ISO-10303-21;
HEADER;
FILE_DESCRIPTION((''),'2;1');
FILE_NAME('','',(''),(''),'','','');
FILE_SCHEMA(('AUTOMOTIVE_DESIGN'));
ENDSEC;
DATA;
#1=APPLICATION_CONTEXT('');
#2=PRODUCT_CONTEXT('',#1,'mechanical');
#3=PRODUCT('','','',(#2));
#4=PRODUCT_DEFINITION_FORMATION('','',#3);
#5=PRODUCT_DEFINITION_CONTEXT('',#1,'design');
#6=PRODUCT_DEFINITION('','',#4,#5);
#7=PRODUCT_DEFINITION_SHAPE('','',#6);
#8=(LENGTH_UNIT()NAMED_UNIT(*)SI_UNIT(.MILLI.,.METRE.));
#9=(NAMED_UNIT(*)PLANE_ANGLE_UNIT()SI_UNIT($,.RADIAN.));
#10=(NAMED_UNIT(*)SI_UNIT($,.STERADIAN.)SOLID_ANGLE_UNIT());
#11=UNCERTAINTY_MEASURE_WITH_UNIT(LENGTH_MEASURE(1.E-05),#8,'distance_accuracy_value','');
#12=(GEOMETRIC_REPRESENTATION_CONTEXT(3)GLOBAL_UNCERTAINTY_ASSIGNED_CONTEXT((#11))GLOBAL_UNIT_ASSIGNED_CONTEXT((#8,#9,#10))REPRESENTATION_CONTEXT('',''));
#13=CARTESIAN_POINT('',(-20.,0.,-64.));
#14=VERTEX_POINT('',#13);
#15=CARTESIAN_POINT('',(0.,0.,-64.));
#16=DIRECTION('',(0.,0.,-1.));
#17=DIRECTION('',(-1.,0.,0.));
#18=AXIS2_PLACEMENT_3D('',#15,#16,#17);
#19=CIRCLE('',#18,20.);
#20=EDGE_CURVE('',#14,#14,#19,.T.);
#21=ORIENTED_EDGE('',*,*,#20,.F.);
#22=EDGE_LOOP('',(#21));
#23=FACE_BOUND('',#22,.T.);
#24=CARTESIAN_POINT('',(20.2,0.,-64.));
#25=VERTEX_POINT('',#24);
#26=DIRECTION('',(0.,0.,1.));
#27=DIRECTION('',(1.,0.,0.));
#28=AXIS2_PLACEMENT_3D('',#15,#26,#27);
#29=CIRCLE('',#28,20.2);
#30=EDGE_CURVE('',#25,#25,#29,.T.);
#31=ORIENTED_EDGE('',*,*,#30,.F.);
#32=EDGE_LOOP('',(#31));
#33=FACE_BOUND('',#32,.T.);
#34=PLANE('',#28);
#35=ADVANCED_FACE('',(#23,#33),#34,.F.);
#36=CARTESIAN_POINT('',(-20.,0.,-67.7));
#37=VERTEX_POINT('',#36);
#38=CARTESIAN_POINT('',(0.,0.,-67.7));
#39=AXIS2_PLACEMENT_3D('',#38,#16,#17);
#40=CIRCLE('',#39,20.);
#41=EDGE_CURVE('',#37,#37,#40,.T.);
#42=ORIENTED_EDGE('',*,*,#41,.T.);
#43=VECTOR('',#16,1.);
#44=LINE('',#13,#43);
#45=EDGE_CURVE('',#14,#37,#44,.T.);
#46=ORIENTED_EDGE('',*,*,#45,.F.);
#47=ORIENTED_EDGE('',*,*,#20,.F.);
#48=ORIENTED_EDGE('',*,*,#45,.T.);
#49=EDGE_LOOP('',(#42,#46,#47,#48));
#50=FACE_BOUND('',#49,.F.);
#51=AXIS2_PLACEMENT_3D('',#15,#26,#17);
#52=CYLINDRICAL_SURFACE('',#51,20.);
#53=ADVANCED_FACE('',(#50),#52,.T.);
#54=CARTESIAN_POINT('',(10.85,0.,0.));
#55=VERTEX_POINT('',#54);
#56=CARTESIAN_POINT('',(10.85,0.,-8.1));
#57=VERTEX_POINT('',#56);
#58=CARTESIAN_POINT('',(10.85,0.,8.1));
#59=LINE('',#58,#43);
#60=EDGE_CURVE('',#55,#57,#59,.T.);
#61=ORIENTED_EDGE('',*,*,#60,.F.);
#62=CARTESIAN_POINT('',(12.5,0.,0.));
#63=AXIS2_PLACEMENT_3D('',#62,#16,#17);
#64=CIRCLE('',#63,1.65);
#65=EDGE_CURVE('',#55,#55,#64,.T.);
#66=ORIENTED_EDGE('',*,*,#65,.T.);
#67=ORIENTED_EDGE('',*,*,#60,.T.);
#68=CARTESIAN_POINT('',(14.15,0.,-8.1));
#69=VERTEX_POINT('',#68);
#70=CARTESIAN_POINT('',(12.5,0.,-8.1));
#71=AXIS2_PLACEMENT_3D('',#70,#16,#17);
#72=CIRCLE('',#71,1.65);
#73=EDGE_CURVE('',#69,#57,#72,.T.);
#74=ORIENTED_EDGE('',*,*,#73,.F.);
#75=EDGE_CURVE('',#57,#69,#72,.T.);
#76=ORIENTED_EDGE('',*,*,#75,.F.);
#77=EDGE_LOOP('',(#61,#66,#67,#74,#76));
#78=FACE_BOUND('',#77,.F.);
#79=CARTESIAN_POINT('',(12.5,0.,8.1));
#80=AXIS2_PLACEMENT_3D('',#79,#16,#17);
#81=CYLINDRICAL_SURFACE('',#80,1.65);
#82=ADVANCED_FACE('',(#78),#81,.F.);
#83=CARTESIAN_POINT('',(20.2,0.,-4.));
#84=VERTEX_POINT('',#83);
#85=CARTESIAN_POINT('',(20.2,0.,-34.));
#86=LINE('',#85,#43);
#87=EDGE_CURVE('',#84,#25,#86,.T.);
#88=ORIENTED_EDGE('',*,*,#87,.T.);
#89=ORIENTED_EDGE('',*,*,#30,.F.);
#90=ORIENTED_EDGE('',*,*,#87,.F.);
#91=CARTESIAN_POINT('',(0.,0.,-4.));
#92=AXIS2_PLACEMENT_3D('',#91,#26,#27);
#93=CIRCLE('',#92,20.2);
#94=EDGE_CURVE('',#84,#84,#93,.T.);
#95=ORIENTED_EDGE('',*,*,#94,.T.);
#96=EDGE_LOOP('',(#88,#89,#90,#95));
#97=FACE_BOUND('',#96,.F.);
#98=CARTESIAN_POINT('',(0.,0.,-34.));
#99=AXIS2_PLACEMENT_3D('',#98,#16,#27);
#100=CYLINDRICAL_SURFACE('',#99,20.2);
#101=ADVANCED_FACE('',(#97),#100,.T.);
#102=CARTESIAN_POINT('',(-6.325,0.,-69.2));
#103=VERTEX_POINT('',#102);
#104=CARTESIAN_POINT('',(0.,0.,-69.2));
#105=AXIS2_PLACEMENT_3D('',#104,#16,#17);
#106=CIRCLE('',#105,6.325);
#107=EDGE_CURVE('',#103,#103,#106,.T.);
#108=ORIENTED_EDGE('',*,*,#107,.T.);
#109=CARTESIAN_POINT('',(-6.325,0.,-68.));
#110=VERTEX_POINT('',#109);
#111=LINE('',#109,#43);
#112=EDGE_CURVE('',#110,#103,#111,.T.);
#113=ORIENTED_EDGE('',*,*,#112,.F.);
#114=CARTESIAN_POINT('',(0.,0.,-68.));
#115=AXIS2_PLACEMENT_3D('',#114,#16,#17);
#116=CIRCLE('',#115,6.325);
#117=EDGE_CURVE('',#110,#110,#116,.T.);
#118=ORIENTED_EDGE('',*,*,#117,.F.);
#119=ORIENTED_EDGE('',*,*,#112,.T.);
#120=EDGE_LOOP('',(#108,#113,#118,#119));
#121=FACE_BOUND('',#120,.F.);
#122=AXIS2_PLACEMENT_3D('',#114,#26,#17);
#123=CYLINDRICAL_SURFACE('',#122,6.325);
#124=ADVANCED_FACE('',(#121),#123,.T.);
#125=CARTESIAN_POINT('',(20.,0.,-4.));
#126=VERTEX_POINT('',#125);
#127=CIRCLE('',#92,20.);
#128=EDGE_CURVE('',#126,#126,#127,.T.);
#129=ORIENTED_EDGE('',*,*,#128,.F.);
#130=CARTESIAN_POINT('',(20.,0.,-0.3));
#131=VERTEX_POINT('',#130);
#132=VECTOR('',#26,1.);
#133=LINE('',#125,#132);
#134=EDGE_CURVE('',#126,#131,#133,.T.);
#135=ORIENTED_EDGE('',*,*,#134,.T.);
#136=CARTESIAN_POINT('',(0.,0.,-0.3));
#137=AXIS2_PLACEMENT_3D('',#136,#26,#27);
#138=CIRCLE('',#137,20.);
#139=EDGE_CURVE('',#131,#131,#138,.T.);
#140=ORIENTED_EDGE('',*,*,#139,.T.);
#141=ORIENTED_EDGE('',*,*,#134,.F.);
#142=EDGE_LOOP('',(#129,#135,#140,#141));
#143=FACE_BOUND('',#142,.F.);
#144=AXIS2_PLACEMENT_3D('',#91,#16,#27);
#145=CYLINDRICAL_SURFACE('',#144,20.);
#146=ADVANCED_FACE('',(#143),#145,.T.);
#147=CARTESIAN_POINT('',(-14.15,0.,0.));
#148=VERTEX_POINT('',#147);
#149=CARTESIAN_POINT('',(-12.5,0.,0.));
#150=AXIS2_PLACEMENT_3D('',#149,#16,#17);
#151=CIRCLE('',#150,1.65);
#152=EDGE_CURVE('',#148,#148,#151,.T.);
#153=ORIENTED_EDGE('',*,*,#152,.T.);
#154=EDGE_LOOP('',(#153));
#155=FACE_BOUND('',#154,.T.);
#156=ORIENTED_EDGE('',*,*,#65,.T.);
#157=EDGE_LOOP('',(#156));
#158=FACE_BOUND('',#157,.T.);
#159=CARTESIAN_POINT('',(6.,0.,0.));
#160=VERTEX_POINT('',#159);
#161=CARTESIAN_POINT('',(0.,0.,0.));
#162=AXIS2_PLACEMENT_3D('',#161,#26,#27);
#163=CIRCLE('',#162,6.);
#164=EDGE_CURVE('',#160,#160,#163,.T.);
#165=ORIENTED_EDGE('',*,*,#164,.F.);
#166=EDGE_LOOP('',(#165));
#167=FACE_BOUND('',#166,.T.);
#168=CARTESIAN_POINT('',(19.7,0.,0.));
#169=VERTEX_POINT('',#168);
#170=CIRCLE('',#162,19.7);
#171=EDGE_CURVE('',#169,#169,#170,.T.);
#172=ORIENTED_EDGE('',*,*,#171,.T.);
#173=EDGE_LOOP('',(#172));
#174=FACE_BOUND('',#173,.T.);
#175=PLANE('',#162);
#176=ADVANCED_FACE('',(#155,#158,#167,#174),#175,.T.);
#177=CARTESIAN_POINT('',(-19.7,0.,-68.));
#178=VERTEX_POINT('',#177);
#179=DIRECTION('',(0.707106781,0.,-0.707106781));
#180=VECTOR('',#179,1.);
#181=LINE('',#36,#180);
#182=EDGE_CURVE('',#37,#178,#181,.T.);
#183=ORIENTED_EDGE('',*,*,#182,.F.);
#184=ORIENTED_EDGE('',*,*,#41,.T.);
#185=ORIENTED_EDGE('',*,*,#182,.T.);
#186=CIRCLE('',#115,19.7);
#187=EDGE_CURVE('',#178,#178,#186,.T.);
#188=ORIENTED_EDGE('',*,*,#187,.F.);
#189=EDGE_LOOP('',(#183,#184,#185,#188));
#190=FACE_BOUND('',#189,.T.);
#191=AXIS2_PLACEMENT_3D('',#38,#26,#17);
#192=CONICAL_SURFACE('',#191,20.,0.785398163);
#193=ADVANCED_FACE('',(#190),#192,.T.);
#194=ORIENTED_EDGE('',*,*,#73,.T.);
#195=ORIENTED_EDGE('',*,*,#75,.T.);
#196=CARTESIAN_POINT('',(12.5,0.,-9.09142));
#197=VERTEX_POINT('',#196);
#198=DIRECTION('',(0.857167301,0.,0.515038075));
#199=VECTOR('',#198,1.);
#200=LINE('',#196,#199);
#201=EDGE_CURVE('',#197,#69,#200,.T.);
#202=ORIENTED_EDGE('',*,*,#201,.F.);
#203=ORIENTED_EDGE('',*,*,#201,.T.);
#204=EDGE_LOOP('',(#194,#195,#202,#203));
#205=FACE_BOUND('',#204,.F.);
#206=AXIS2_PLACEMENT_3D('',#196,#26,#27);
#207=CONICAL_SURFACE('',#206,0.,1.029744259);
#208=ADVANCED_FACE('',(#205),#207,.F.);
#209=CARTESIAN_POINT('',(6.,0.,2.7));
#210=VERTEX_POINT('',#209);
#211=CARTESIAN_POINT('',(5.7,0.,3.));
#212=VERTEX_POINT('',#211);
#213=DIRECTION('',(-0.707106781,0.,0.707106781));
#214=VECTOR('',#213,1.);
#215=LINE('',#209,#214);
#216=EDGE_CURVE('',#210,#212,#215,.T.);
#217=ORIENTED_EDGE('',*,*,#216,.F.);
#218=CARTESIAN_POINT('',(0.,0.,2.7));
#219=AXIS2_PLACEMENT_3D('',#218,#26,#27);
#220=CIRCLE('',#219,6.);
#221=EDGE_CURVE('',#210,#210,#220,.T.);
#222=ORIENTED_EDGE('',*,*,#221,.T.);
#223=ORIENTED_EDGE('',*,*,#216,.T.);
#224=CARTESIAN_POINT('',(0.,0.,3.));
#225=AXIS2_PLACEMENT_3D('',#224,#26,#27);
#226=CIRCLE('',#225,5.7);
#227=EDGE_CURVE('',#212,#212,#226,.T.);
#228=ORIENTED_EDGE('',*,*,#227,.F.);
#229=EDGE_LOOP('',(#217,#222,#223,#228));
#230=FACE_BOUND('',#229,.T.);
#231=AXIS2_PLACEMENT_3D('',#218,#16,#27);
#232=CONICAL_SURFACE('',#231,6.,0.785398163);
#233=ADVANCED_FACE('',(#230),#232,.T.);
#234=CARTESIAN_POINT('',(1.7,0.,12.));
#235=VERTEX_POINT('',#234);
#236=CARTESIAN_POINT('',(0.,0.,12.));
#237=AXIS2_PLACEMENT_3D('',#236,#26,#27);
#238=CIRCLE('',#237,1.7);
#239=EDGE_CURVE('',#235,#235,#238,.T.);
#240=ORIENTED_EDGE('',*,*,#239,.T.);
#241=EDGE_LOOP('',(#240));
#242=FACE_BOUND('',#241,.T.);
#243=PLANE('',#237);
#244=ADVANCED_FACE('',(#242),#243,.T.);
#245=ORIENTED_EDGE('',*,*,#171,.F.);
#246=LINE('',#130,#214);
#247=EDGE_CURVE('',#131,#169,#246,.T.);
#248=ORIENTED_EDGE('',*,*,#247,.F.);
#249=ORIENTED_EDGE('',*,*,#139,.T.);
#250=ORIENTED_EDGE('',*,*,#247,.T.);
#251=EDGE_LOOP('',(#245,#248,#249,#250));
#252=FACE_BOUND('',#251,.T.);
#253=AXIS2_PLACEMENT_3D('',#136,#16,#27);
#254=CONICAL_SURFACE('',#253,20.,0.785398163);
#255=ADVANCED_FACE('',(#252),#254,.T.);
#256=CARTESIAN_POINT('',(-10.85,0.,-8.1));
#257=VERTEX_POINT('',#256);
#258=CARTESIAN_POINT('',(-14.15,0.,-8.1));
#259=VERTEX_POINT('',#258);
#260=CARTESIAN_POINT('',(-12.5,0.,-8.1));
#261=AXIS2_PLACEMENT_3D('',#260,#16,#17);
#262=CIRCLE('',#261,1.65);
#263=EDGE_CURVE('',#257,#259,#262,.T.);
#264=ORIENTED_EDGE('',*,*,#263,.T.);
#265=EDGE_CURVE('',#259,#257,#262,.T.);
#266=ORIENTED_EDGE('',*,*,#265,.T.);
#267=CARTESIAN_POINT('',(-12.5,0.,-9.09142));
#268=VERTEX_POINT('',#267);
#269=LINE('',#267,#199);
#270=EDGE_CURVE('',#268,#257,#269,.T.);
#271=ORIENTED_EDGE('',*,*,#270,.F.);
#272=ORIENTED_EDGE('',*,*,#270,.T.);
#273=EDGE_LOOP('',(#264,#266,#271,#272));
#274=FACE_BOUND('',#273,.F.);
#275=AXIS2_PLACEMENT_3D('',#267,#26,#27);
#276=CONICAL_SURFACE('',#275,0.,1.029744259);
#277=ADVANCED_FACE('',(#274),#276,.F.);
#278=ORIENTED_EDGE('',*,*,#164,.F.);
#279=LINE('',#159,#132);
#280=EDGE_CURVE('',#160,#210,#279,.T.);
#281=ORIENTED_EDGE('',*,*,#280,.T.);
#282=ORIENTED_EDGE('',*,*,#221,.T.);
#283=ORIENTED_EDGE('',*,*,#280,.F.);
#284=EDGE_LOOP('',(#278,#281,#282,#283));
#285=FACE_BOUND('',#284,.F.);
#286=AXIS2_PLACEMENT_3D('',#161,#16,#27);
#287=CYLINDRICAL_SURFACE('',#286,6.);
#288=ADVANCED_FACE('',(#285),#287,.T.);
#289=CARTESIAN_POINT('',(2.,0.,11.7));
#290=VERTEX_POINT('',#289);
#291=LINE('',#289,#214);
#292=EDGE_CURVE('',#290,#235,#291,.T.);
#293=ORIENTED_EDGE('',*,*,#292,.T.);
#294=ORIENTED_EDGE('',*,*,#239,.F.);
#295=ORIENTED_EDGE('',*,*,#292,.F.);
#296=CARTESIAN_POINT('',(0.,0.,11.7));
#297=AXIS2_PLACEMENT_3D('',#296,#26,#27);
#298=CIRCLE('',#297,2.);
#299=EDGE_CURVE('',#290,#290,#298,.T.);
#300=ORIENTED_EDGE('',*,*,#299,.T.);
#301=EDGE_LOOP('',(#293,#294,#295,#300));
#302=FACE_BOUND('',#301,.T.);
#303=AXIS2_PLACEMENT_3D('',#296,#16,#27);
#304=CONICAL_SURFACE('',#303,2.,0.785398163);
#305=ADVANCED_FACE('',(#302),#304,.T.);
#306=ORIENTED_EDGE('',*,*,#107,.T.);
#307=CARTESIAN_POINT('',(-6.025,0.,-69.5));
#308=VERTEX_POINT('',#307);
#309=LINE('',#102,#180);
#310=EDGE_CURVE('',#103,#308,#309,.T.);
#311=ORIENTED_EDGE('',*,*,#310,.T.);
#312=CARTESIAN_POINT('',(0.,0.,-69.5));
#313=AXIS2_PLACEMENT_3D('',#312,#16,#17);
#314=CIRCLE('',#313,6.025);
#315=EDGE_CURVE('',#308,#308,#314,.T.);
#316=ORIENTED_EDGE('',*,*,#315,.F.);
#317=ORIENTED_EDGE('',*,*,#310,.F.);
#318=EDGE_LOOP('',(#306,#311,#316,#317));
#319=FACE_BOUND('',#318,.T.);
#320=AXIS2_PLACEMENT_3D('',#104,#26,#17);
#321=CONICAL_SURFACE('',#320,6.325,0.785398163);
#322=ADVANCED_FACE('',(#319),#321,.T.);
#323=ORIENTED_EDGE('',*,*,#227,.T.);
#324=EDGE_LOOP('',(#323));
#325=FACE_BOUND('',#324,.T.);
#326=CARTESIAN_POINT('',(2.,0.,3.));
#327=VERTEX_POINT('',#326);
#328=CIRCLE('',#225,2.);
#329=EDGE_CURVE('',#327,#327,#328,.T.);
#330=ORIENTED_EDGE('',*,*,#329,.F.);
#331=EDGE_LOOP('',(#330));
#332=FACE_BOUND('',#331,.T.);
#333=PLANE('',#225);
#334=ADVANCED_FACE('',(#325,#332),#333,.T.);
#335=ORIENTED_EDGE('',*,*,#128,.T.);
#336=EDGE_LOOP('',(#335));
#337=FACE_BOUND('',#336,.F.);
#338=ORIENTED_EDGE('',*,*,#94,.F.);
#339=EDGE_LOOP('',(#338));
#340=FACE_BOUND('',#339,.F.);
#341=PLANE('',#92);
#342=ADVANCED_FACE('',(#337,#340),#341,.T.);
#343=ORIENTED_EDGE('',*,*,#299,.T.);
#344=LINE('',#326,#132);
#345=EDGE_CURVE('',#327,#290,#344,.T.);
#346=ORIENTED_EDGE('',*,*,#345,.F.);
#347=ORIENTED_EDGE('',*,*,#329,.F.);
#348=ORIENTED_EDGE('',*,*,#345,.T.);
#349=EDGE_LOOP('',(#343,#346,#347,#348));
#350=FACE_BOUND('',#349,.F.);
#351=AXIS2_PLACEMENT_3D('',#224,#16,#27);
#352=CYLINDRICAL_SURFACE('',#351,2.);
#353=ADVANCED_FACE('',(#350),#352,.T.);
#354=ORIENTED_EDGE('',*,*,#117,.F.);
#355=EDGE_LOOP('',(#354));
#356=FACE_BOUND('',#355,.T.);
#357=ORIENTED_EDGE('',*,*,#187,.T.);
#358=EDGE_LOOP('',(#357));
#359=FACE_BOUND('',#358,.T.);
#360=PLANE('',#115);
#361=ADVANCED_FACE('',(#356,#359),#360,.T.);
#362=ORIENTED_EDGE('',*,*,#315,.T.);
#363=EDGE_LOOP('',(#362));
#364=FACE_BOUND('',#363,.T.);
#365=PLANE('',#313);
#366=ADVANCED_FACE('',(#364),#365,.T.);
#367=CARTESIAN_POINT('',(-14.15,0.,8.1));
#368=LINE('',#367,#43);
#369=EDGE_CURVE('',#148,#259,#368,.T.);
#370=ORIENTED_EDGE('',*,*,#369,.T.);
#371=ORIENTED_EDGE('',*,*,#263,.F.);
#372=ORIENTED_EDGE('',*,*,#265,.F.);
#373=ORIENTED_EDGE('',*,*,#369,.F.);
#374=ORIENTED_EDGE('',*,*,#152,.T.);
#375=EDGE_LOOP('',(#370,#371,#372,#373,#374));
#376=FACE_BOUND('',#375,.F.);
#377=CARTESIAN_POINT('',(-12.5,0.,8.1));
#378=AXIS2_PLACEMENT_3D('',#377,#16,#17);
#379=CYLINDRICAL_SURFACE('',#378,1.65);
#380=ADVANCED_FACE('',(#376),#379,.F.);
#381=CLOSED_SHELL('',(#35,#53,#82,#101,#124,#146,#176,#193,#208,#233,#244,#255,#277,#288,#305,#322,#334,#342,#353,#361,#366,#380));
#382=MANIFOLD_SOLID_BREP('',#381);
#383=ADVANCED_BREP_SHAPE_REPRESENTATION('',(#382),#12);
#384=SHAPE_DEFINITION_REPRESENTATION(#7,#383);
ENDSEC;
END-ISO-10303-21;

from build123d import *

# Parameters (mm, degrees)
SKETCH1_W                      = 20.2
SKETCH1_H                      = 60
SKETCH2_R                      = 20
BOSS_EXTRUDE1_DEPTH            = 4
SKETCH3_R                      = 6
BOSS_EXTRUDE2_DEPTH            = 3
SKETCH4_R                      = 2
BOSS_EXTRUDE3_DEPTH            = 9
SKETCH5_R                      = 20
BOSS_EXTRUDE4_DEPTH            = 4
SKETCH6_R                      = 6.325
BOSS_EXTRUDE5_DEPTH            = 1.5
F_3_3_3_3_DIAMETER_HOLE1_D     = 3.3
F_3_3_3_3_DIAMETER_HOLE1_DEPTH = 8.1
F_3_3_3_3_DIAMETER_HOLE1_TIP   = 0.991420021
CHAMFER1_SIZE                  = 0.3


with BuildPart() as part:
    # Sketch1 → Revolve1 (revolve)
    with BuildSketch(Plane(origin=(0, 0, 0), x_dir=(1, 0, 0), z_dir=(0, 1, 0))):
        with Locations((10.1, 34)):
            Rectangle(SKETCH1_W, SKETCH1_H)
    revolve(axis=Axis((0, 0, -64), (0, 0, 1)))

    # Sketch2 → Boss-Extrude1 (add)
    with BuildSketch(Plane.XY.offset(-4)):
        Circle(SKETCH2_R)
    extrude(amount=BOSS_EXTRUDE1_DEPTH)

    # Sketch3 → Boss-Extrude2 (add)
    with BuildSketch(Plane.XY):
        Circle(SKETCH3_R)
    extrude(amount=BOSS_EXTRUDE2_DEPTH)

    # Sketch4 → Boss-Extrude3 (add)
    with BuildSketch(Plane.XY.offset(3)):
        Circle(SKETCH4_R)
    extrude(amount=BOSS_EXTRUDE3_DEPTH)

    # Sketch5 → Boss-Extrude4 (add)
    with BuildSketch(Plane(origin=(0, 0, -64), x_dir=(-1, 0, 0), z_dir=(0, 0, -1))):
        Circle(SKETCH5_R)
    extrude(amount=BOSS_EXTRUDE4_DEPTH)

    # Sketch6 → Boss-Extrude5 (add)
    with BuildSketch(Plane(origin=(0, 0, -68), x_dir=(-1, 0, 0), z_dir=(0, 0, -1))):
        Circle(SKETCH6_R)
    extrude(amount=BOSS_EXTRUDE5_DEPTH)

    # Ø3.3 (3.3) Diameter Hole1
    with Locations(Plane.XY):
        with Locations((-12.5, 0), (12.5, 0)):
            Hole(F_3_3_3_3_DIAMETER_HOLE1_D / 2, depth=F_3_3_3_3_DIAMETER_HOLE1_DEPTH)
            with Locations((0, 0, -(F_3_3_3_3_DIAMETER_HOLE1_DEPTH + F_3_3_3_3_DIAMETER_HOLE1_TIP / 2))):  # 118° drill point
                Cone(0, F_3_3_3_3_DIAMETER_HOLE1_D / 2, F_3_3_3_3_DIAMETER_HOLE1_TIP, mode=Mode.SUBTRACT)

    # Chamfer1
    chamfer1_edges = [part.edges().sort_by_distance(p)[0] for p in [
        (-6, 0, 3),
        (-2, 0, 12),
        (20, 0, -68),
        (6.325, 0, -69.5),
        (-20, 0, 0),
    ]]
    chamfer(chamfer1_edges, length=CHAMFER1_SIZE)


solid = part.part
